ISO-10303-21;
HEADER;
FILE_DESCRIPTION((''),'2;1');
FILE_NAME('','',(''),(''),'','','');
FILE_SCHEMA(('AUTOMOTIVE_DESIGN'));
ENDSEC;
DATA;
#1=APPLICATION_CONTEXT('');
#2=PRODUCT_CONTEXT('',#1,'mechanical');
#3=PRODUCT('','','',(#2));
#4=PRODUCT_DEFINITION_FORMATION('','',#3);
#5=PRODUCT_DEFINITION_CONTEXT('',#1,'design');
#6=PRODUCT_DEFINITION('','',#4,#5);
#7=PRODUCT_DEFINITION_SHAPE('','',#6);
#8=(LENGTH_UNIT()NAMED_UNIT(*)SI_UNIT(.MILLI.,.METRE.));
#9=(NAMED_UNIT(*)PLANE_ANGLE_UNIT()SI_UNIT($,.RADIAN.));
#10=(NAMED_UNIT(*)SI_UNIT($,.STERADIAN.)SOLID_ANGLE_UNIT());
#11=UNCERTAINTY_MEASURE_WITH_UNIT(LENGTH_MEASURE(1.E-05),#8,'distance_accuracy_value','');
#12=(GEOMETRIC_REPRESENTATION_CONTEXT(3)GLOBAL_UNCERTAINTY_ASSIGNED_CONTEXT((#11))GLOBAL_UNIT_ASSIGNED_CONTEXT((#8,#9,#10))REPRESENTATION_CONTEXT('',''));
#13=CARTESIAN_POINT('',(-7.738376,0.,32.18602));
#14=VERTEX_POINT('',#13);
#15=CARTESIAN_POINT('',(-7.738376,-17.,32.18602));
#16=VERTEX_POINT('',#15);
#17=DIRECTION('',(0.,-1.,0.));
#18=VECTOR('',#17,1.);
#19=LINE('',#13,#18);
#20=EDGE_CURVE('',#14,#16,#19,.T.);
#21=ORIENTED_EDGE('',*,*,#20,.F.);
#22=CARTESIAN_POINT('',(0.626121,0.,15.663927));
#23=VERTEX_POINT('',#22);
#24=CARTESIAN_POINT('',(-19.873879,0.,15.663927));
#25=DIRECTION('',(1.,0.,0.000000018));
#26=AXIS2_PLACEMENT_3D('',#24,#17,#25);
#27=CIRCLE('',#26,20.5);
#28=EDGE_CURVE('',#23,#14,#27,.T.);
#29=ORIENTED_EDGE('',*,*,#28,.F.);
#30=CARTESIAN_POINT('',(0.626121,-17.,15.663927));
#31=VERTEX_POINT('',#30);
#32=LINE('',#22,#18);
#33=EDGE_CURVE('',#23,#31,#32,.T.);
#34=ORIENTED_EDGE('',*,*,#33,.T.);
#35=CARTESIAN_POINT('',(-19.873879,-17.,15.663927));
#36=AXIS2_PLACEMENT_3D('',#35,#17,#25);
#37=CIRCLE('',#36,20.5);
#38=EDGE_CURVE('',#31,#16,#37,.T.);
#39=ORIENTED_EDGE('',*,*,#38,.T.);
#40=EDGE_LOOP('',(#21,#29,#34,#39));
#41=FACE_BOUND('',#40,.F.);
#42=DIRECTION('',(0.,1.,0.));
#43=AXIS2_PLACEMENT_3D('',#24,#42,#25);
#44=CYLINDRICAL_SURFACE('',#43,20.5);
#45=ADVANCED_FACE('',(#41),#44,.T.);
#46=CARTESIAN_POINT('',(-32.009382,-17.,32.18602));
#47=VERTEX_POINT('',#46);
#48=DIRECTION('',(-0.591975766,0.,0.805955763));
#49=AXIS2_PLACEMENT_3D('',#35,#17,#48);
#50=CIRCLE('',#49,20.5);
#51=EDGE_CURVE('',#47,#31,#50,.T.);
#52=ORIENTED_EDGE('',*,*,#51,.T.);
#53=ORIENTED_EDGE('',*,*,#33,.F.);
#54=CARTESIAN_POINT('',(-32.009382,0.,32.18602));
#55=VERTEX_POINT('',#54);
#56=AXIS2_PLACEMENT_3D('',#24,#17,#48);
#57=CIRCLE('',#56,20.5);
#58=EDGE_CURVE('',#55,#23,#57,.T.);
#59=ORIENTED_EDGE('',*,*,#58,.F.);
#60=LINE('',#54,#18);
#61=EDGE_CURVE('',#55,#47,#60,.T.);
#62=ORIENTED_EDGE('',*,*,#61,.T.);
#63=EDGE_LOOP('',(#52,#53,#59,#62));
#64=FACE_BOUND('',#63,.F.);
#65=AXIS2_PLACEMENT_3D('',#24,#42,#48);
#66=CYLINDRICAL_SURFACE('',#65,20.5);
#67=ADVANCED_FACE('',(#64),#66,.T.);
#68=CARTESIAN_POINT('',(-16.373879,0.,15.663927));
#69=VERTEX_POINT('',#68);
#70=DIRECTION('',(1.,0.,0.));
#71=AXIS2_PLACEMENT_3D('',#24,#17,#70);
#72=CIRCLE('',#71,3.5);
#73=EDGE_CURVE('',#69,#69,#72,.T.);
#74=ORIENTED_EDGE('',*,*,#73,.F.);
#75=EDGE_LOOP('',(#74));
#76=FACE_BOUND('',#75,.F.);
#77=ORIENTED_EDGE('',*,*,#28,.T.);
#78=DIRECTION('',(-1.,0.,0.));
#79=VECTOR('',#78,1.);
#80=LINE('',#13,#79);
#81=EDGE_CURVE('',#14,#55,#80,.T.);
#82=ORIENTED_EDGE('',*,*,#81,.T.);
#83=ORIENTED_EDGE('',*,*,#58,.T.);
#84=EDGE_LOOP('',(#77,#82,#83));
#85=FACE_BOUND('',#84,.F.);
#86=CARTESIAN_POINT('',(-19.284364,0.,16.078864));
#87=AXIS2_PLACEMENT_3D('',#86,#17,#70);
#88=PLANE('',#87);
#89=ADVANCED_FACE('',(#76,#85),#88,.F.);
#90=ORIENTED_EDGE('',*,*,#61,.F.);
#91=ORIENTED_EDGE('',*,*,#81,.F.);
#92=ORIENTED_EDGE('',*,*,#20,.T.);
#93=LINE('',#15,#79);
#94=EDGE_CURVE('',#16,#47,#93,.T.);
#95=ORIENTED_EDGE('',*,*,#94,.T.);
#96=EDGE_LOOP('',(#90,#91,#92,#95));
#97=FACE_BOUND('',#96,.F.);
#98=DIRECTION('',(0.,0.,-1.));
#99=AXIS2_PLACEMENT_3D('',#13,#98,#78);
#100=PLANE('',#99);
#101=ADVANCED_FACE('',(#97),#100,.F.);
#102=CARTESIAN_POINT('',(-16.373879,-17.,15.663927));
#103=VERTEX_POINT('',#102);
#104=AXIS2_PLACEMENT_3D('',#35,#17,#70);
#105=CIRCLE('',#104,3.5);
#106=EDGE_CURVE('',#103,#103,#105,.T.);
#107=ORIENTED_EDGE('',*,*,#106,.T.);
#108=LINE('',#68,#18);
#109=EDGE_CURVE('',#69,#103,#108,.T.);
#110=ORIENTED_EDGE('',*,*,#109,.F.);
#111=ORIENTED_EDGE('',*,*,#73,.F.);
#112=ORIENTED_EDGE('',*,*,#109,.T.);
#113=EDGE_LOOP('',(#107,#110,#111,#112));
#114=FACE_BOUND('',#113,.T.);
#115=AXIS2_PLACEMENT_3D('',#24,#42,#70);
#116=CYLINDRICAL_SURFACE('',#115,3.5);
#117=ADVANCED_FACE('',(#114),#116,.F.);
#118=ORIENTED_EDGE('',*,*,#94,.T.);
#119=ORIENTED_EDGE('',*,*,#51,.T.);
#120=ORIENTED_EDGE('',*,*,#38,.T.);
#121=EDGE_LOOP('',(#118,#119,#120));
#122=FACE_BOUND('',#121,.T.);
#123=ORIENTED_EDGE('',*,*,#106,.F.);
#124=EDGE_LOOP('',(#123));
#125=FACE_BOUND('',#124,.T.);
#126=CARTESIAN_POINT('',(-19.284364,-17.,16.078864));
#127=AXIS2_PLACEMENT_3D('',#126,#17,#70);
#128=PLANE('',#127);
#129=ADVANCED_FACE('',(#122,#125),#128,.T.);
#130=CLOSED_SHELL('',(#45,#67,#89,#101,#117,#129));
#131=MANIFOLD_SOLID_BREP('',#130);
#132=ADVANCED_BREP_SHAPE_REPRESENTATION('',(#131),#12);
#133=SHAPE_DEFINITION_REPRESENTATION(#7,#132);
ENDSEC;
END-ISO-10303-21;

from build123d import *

# Parameters (mm, degrees)
F0_R     = 3.5
F1_DEPTH = 17


with BuildPart() as f1:
    # F0 (on Front) → F1 (new body)
    with BuildSketch(Plane.XZ):
        with BuildLine():
            ThreePointArc((-32.009382, 32.18602), (-29.133258, -2.625794), (0.626121, 15.663927))
            ThreePointArc((0.626121, 15.663927), (-1.584158, 24.923306), (-7.738376, 32.18602))
            Line((-7.738376, 32.18602), (-32.009382, 32.18602))
        make_face()
        with Locations((-19.873879, 15.663927)):
            Circle(F0_R, mode=Mode.SUBTRACT)
    extrude(amount=F1_DEPTH)


solid = f1.part
